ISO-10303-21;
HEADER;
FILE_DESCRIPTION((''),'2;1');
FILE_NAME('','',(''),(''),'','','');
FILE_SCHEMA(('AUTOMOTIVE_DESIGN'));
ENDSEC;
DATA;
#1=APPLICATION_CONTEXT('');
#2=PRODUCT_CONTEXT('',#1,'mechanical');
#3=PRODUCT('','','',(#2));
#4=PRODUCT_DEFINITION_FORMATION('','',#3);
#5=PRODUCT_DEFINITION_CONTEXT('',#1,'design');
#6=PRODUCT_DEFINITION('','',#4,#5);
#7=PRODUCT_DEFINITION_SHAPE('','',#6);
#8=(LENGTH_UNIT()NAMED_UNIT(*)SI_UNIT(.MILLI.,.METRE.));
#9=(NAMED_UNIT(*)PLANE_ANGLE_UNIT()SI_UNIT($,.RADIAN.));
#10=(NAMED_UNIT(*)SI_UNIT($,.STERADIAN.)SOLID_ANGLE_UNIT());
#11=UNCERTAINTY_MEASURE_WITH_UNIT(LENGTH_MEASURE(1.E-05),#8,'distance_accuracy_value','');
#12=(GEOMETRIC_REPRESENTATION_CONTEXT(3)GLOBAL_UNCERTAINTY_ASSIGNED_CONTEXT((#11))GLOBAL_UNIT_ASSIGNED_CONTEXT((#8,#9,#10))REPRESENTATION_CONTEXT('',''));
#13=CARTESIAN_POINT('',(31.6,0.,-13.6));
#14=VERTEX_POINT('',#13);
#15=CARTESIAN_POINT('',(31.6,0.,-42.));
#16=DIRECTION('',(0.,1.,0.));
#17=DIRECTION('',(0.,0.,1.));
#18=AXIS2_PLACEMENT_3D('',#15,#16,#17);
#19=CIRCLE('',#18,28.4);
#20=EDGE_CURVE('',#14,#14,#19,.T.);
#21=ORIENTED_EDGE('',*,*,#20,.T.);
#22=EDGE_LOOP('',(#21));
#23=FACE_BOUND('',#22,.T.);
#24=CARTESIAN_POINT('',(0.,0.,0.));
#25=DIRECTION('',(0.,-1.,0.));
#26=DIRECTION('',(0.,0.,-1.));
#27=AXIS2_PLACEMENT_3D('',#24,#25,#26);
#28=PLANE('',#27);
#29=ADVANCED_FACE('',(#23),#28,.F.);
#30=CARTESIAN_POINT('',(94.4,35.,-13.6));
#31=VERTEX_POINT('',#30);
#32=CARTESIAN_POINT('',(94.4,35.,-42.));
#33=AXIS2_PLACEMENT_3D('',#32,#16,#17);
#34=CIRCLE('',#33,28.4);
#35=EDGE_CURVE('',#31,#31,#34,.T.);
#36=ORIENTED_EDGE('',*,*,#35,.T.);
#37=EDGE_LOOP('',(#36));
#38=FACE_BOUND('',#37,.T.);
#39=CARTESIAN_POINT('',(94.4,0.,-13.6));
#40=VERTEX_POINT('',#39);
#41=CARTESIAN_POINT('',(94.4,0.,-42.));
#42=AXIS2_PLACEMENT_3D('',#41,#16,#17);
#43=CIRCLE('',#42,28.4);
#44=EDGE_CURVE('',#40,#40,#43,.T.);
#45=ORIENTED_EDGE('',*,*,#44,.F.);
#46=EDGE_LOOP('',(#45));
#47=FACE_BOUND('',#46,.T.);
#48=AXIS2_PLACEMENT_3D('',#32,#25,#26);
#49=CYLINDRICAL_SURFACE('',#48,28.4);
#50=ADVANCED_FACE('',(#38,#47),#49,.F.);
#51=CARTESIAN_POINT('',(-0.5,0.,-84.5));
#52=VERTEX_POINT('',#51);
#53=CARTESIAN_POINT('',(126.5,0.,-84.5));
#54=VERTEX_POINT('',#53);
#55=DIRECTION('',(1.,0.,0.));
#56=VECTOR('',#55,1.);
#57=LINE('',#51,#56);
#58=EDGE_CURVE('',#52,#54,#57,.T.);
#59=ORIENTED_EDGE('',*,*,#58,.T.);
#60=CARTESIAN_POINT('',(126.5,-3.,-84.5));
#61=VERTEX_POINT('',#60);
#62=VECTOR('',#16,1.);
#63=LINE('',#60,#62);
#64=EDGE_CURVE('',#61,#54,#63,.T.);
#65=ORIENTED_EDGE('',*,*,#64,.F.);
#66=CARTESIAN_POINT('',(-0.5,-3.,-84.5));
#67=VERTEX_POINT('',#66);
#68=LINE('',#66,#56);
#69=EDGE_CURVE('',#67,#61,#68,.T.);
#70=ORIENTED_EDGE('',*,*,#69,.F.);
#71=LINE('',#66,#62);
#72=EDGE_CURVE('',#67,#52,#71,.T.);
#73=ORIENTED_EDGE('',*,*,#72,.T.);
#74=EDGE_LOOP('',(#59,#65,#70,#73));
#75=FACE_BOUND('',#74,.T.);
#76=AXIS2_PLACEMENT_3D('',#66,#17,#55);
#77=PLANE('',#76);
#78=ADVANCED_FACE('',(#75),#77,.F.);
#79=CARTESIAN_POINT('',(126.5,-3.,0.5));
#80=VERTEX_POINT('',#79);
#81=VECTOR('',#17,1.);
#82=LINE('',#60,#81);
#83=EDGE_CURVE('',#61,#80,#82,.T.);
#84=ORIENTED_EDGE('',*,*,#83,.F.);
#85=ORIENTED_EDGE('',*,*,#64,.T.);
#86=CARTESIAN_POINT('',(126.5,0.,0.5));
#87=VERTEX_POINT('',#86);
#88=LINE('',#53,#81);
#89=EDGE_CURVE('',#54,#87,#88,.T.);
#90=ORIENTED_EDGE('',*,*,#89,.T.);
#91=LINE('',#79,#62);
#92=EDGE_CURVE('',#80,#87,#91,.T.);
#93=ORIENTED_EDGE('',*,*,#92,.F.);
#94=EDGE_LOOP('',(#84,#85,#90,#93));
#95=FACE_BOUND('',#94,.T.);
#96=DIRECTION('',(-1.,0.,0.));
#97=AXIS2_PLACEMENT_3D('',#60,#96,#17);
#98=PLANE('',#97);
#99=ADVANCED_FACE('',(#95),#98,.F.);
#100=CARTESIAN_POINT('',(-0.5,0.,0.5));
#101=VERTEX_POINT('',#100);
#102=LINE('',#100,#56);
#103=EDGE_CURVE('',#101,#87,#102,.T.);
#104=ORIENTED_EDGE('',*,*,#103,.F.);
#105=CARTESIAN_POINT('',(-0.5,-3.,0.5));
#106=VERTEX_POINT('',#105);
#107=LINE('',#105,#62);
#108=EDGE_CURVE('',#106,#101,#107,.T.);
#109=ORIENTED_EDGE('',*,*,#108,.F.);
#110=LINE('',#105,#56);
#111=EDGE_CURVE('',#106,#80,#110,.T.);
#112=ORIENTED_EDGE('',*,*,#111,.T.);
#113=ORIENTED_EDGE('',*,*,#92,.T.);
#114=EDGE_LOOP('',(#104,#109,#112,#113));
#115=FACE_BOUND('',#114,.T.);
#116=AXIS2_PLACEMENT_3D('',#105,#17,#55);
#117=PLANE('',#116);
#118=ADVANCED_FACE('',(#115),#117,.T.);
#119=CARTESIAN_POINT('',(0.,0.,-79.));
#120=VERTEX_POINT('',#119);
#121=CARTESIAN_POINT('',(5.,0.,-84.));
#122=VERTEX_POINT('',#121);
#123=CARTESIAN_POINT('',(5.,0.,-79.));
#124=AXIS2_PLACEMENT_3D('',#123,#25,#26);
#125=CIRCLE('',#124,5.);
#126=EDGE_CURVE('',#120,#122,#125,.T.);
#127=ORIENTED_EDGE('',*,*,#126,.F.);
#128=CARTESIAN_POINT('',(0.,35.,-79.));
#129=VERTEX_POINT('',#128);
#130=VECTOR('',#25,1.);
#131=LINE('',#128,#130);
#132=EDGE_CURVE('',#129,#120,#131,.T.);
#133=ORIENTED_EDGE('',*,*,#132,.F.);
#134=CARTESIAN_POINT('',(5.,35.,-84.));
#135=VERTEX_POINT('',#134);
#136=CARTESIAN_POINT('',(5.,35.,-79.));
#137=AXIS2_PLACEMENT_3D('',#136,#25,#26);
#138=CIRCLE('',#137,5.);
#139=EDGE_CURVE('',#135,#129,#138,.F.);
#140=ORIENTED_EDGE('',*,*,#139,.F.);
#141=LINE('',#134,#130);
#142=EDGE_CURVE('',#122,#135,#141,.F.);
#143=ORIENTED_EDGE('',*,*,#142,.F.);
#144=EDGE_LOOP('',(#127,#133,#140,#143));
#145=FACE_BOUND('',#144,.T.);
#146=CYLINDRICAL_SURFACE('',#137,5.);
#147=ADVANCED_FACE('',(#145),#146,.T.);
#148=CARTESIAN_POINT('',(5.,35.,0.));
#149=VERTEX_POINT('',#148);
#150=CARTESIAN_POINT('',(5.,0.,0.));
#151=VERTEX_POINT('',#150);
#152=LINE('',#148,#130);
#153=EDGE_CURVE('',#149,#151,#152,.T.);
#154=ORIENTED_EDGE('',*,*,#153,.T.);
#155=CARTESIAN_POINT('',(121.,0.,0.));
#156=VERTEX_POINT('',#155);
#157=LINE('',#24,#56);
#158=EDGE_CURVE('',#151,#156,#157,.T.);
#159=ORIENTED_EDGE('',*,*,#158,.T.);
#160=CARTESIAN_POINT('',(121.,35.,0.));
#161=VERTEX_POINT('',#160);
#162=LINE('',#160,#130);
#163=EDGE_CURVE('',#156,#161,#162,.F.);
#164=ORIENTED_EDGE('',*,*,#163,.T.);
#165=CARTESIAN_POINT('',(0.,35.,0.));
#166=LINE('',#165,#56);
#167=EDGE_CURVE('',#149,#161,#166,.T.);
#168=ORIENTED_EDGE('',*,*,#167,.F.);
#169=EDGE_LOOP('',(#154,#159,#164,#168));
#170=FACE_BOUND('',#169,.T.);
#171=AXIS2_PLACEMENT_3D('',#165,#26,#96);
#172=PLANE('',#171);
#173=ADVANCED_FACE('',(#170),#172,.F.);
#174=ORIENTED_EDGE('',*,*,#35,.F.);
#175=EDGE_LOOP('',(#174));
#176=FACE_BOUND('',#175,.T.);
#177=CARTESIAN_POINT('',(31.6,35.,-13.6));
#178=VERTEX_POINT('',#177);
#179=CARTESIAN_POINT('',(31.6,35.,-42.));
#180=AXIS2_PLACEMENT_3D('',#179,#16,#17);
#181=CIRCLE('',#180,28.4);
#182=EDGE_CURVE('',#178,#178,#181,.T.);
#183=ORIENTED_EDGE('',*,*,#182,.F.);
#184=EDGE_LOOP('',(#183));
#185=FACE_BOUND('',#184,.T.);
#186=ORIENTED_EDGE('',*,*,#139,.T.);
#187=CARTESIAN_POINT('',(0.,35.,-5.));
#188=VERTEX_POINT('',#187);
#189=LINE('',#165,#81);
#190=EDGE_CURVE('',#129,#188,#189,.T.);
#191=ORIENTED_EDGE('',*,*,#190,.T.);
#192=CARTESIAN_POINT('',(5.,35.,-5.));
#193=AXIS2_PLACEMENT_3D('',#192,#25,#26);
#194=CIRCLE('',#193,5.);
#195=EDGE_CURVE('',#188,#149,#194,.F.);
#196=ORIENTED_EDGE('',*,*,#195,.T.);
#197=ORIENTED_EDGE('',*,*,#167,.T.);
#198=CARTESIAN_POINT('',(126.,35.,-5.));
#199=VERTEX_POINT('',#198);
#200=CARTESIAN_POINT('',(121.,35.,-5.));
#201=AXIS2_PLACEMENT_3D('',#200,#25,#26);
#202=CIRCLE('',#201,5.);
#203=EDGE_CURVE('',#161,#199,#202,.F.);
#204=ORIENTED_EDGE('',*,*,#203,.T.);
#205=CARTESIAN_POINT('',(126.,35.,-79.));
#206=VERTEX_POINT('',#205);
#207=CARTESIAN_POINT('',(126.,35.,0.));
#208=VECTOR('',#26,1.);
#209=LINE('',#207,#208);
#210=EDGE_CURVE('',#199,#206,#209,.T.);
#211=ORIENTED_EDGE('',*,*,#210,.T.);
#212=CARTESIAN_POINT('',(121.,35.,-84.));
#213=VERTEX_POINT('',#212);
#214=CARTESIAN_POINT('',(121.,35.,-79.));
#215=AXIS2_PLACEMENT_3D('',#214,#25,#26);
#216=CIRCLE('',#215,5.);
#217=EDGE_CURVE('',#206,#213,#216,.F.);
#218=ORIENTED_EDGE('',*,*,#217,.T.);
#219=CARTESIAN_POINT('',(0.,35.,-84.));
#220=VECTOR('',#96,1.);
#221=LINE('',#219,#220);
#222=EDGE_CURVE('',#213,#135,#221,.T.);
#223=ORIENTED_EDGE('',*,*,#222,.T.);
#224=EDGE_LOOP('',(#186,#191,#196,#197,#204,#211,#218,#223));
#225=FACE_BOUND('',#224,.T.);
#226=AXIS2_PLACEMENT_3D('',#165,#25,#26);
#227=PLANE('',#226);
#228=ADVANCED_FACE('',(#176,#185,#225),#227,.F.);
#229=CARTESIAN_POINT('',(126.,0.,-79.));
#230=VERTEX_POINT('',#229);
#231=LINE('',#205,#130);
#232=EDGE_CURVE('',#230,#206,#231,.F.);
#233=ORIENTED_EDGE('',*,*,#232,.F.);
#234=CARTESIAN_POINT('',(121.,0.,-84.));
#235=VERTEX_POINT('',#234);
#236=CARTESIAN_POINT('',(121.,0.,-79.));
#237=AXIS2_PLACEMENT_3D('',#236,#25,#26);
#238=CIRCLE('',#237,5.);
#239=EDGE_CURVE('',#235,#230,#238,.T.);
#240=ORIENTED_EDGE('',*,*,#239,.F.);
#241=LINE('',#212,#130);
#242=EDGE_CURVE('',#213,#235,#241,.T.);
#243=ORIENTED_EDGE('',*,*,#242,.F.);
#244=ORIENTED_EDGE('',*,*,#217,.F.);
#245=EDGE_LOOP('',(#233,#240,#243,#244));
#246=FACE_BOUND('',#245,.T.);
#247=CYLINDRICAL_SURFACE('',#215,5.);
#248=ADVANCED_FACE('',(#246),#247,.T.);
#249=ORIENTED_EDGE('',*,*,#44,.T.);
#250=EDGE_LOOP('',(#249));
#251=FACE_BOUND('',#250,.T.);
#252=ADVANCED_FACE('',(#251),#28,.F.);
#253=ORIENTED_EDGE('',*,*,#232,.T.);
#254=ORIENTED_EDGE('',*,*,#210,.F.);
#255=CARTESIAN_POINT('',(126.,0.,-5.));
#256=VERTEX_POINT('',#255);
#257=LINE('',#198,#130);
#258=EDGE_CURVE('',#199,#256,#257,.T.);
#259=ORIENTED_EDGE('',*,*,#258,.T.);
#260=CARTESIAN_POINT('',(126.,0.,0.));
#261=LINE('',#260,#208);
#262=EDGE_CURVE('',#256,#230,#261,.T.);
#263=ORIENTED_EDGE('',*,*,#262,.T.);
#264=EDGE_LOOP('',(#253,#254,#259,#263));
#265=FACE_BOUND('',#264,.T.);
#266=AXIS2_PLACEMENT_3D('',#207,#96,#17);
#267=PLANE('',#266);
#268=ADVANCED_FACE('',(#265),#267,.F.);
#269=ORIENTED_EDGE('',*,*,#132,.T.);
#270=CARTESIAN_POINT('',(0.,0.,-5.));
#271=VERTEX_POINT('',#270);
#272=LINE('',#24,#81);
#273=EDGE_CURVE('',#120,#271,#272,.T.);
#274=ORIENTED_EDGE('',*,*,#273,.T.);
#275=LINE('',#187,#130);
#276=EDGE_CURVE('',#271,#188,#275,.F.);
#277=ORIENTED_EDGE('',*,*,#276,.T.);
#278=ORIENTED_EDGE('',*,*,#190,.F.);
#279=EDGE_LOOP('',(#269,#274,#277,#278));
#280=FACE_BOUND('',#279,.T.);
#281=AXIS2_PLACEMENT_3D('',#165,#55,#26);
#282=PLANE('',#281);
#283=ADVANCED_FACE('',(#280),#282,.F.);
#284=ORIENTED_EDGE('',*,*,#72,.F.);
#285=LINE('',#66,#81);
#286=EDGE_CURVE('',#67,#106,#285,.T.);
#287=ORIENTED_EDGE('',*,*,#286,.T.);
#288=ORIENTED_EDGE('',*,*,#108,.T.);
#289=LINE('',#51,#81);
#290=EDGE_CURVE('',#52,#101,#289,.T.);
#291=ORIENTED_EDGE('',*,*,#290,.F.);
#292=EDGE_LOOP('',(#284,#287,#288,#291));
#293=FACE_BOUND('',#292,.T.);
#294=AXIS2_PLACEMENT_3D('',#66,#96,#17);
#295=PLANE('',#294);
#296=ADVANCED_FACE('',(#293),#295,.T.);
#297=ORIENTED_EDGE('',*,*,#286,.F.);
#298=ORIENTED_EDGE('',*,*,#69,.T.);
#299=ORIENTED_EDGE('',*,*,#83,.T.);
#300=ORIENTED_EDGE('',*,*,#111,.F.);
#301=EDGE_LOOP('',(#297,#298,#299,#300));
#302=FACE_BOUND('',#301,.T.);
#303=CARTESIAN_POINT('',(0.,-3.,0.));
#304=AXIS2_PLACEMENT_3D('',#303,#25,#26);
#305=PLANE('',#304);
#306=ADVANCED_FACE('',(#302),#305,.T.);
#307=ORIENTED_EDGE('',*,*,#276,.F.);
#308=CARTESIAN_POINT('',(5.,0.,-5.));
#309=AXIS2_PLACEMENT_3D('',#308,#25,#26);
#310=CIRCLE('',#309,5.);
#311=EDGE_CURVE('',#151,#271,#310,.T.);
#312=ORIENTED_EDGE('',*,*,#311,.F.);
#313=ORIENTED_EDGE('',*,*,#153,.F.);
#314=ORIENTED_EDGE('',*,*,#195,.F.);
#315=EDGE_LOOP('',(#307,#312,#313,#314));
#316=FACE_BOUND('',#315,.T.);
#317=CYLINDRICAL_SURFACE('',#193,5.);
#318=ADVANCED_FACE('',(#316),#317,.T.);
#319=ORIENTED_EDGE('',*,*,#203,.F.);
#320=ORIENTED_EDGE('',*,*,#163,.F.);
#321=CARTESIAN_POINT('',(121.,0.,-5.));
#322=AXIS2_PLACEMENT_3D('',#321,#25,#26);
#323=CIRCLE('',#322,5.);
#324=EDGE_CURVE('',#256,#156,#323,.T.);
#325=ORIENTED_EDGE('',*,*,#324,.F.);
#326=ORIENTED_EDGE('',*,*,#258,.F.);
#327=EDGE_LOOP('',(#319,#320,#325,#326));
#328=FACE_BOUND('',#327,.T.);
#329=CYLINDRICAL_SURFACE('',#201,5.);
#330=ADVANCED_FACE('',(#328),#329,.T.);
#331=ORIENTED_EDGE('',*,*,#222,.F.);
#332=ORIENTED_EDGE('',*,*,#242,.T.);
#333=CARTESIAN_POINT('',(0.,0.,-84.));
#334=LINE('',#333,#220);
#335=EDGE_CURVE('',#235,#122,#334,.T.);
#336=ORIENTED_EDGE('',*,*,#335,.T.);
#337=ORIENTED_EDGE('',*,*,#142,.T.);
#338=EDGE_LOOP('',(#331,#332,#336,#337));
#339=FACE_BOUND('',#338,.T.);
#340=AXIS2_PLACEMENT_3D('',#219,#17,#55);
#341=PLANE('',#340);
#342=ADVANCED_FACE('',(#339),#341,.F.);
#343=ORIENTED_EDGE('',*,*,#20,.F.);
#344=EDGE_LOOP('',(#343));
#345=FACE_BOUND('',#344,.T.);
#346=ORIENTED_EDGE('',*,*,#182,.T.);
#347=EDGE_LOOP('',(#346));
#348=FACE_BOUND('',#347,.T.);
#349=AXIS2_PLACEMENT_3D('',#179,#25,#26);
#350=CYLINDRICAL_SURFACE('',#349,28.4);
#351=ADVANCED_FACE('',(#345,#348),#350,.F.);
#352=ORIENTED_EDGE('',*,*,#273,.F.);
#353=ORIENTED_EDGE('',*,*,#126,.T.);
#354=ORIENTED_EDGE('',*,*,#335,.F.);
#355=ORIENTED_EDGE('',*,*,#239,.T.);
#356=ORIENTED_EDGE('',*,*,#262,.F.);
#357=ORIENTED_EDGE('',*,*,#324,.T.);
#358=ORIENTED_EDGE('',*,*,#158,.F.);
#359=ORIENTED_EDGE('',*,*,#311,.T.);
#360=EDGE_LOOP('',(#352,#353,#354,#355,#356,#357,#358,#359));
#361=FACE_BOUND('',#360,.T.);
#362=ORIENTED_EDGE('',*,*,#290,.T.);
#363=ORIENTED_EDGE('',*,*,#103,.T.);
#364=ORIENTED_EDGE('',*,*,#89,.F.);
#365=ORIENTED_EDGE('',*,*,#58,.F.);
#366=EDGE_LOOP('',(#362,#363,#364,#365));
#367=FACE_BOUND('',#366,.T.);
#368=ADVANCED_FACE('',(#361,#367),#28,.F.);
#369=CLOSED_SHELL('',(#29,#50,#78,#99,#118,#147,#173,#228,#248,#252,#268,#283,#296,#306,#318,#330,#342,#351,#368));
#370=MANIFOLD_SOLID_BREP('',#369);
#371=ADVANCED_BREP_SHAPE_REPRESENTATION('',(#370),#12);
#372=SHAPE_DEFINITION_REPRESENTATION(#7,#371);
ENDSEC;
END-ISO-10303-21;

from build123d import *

# Parameters (mm, degrees)
SKETCH2_W           = 126
SKETCH2_H           = 84
SKETCH2_R           = 28.4
BOSS_EXTRUDE1_DEPTH = 35
SKETCH3_W           = 127
SKETCH3_H           = 85
BOSS_EXTRUDE2_DEPTH = 3
FILLET1_R           = 5


with BuildPart() as part:
    # Sketch2 → Boss-Extrude1 (new body)
    with BuildSketch(Plane(origin=(0, 0, 0), x_dir=(1, 0, 0), z_dir=(0, 1, 0))):
        with Locations((63, 42)):
            Rectangle(SKETCH2_W, SKETCH2_H)
        with Locations(Location((31.6, 42, 0), (0, 0, 270))):
            Circle(SKETCH2_R, mode=Mode.SUBTRACT)
        with Locations(Location((94.4, 42, 0), (0, 0, 270))):
            Circle(SKETCH2_R, mode=Mode.SUBTRACT)
    extrude(amount=BOSS_EXTRUDE1_DEPTH)

    # Sketch3 → Boss-Extrude2 (add)
    with BuildSketch(Plane.XZ):
        with Locations((63, -42)):
            Rectangle(SKETCH3_W, SKETCH3_H)
    extrude(amount=BOSS_EXTRUDE2_DEPTH)

    # Fillet1
    fillet1_edges = [part.edges().sort_by_distance(p)[0] for p in [
        (0, 17.5, -84),
        (126, 17.5, -84),
        (126, 17.5, 0),
        (0, 17.5, 0),
    ]]
    fillet(fillet1_edges, radius=FILLET1_R)


solid = part.part
